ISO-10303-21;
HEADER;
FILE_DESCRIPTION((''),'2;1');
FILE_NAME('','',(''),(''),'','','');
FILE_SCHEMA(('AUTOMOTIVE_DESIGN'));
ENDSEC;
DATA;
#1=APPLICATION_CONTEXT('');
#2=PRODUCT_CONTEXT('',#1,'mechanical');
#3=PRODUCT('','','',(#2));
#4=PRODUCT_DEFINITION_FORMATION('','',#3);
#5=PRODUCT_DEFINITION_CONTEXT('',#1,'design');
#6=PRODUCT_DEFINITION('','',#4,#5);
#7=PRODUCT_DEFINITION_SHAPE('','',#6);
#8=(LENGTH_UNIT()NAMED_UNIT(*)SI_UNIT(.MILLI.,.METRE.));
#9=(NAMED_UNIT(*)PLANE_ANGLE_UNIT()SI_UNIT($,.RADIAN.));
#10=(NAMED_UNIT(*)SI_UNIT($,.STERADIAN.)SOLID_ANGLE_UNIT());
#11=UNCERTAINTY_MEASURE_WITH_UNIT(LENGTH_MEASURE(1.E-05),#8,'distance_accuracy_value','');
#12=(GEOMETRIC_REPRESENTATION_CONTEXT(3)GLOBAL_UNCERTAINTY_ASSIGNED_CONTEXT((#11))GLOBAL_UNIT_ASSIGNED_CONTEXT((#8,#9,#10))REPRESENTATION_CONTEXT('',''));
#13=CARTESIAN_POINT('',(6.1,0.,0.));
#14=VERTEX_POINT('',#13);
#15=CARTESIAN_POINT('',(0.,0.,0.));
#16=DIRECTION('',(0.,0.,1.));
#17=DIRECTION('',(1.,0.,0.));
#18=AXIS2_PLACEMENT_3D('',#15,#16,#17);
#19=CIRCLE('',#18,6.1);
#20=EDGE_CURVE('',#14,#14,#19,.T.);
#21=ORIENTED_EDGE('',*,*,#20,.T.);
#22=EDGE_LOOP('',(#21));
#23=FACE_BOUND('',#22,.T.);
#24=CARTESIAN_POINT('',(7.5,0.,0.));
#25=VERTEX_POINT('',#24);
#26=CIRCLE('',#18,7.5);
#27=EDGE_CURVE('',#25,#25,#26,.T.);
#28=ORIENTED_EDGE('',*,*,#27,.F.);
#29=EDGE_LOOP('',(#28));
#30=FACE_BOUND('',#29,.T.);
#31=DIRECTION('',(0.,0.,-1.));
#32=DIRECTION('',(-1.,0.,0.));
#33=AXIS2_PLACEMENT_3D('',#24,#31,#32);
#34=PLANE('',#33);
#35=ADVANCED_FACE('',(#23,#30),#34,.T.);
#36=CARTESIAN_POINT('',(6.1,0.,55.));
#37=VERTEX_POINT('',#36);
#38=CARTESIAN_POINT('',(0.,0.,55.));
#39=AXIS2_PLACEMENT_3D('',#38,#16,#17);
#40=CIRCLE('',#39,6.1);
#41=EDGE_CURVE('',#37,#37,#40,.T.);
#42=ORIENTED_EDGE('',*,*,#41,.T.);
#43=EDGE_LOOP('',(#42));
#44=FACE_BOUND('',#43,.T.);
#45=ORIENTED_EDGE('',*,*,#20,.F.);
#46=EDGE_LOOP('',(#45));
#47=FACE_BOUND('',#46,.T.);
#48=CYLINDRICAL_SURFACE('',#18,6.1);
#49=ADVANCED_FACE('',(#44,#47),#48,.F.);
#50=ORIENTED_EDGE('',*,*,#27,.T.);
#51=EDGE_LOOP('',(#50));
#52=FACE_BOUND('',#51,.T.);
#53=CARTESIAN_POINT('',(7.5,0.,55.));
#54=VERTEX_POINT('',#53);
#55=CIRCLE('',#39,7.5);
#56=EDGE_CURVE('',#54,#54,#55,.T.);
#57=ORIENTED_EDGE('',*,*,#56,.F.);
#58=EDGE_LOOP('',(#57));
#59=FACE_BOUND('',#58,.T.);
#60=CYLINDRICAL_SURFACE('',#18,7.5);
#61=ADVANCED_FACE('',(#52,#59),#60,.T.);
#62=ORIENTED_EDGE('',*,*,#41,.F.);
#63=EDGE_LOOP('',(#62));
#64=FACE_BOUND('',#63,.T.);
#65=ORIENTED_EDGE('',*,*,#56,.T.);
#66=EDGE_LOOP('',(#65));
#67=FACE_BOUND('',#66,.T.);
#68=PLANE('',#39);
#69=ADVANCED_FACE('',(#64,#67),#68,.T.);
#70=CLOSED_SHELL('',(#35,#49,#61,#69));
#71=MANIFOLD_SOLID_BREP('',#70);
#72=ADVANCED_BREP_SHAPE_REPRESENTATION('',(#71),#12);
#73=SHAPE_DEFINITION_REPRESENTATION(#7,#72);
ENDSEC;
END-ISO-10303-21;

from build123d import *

# Parameters (mm, degrees)
SKETCH_1_W          = 1.4
SKETCH_1_H          = 200
CUT_EXTRUDE_START   = -145
SKETCH_2_R          = 7.5
CUT_EXTRUDE_1_DEPTH = 145


with BuildPart() as part:
    # 스케치1 → 회전1 (revolve)
    with BuildSketch(Plane(origin=(0, 0, 0), x_dir=(1, 0, 0), z_dir=(0, 1, 0))):
        with Locations((6.8, -100)):
            Rectangle(SKETCH_1_W, SKETCH_1_H)
    revolve(axis=Axis((0, 0, 0), (0, 0, 1)))

    # 스케치2 → 컷-돌출1 (cut)
    with BuildSketch(Plane.XY.offset(200).offset(CUT_EXTRUDE_START)):
        Circle(SKETCH_2_R)
    extrude(amount=CUT_EXTRUDE_1_DEPTH, mode=Mode.SUBTRACT)


solid = part.part
